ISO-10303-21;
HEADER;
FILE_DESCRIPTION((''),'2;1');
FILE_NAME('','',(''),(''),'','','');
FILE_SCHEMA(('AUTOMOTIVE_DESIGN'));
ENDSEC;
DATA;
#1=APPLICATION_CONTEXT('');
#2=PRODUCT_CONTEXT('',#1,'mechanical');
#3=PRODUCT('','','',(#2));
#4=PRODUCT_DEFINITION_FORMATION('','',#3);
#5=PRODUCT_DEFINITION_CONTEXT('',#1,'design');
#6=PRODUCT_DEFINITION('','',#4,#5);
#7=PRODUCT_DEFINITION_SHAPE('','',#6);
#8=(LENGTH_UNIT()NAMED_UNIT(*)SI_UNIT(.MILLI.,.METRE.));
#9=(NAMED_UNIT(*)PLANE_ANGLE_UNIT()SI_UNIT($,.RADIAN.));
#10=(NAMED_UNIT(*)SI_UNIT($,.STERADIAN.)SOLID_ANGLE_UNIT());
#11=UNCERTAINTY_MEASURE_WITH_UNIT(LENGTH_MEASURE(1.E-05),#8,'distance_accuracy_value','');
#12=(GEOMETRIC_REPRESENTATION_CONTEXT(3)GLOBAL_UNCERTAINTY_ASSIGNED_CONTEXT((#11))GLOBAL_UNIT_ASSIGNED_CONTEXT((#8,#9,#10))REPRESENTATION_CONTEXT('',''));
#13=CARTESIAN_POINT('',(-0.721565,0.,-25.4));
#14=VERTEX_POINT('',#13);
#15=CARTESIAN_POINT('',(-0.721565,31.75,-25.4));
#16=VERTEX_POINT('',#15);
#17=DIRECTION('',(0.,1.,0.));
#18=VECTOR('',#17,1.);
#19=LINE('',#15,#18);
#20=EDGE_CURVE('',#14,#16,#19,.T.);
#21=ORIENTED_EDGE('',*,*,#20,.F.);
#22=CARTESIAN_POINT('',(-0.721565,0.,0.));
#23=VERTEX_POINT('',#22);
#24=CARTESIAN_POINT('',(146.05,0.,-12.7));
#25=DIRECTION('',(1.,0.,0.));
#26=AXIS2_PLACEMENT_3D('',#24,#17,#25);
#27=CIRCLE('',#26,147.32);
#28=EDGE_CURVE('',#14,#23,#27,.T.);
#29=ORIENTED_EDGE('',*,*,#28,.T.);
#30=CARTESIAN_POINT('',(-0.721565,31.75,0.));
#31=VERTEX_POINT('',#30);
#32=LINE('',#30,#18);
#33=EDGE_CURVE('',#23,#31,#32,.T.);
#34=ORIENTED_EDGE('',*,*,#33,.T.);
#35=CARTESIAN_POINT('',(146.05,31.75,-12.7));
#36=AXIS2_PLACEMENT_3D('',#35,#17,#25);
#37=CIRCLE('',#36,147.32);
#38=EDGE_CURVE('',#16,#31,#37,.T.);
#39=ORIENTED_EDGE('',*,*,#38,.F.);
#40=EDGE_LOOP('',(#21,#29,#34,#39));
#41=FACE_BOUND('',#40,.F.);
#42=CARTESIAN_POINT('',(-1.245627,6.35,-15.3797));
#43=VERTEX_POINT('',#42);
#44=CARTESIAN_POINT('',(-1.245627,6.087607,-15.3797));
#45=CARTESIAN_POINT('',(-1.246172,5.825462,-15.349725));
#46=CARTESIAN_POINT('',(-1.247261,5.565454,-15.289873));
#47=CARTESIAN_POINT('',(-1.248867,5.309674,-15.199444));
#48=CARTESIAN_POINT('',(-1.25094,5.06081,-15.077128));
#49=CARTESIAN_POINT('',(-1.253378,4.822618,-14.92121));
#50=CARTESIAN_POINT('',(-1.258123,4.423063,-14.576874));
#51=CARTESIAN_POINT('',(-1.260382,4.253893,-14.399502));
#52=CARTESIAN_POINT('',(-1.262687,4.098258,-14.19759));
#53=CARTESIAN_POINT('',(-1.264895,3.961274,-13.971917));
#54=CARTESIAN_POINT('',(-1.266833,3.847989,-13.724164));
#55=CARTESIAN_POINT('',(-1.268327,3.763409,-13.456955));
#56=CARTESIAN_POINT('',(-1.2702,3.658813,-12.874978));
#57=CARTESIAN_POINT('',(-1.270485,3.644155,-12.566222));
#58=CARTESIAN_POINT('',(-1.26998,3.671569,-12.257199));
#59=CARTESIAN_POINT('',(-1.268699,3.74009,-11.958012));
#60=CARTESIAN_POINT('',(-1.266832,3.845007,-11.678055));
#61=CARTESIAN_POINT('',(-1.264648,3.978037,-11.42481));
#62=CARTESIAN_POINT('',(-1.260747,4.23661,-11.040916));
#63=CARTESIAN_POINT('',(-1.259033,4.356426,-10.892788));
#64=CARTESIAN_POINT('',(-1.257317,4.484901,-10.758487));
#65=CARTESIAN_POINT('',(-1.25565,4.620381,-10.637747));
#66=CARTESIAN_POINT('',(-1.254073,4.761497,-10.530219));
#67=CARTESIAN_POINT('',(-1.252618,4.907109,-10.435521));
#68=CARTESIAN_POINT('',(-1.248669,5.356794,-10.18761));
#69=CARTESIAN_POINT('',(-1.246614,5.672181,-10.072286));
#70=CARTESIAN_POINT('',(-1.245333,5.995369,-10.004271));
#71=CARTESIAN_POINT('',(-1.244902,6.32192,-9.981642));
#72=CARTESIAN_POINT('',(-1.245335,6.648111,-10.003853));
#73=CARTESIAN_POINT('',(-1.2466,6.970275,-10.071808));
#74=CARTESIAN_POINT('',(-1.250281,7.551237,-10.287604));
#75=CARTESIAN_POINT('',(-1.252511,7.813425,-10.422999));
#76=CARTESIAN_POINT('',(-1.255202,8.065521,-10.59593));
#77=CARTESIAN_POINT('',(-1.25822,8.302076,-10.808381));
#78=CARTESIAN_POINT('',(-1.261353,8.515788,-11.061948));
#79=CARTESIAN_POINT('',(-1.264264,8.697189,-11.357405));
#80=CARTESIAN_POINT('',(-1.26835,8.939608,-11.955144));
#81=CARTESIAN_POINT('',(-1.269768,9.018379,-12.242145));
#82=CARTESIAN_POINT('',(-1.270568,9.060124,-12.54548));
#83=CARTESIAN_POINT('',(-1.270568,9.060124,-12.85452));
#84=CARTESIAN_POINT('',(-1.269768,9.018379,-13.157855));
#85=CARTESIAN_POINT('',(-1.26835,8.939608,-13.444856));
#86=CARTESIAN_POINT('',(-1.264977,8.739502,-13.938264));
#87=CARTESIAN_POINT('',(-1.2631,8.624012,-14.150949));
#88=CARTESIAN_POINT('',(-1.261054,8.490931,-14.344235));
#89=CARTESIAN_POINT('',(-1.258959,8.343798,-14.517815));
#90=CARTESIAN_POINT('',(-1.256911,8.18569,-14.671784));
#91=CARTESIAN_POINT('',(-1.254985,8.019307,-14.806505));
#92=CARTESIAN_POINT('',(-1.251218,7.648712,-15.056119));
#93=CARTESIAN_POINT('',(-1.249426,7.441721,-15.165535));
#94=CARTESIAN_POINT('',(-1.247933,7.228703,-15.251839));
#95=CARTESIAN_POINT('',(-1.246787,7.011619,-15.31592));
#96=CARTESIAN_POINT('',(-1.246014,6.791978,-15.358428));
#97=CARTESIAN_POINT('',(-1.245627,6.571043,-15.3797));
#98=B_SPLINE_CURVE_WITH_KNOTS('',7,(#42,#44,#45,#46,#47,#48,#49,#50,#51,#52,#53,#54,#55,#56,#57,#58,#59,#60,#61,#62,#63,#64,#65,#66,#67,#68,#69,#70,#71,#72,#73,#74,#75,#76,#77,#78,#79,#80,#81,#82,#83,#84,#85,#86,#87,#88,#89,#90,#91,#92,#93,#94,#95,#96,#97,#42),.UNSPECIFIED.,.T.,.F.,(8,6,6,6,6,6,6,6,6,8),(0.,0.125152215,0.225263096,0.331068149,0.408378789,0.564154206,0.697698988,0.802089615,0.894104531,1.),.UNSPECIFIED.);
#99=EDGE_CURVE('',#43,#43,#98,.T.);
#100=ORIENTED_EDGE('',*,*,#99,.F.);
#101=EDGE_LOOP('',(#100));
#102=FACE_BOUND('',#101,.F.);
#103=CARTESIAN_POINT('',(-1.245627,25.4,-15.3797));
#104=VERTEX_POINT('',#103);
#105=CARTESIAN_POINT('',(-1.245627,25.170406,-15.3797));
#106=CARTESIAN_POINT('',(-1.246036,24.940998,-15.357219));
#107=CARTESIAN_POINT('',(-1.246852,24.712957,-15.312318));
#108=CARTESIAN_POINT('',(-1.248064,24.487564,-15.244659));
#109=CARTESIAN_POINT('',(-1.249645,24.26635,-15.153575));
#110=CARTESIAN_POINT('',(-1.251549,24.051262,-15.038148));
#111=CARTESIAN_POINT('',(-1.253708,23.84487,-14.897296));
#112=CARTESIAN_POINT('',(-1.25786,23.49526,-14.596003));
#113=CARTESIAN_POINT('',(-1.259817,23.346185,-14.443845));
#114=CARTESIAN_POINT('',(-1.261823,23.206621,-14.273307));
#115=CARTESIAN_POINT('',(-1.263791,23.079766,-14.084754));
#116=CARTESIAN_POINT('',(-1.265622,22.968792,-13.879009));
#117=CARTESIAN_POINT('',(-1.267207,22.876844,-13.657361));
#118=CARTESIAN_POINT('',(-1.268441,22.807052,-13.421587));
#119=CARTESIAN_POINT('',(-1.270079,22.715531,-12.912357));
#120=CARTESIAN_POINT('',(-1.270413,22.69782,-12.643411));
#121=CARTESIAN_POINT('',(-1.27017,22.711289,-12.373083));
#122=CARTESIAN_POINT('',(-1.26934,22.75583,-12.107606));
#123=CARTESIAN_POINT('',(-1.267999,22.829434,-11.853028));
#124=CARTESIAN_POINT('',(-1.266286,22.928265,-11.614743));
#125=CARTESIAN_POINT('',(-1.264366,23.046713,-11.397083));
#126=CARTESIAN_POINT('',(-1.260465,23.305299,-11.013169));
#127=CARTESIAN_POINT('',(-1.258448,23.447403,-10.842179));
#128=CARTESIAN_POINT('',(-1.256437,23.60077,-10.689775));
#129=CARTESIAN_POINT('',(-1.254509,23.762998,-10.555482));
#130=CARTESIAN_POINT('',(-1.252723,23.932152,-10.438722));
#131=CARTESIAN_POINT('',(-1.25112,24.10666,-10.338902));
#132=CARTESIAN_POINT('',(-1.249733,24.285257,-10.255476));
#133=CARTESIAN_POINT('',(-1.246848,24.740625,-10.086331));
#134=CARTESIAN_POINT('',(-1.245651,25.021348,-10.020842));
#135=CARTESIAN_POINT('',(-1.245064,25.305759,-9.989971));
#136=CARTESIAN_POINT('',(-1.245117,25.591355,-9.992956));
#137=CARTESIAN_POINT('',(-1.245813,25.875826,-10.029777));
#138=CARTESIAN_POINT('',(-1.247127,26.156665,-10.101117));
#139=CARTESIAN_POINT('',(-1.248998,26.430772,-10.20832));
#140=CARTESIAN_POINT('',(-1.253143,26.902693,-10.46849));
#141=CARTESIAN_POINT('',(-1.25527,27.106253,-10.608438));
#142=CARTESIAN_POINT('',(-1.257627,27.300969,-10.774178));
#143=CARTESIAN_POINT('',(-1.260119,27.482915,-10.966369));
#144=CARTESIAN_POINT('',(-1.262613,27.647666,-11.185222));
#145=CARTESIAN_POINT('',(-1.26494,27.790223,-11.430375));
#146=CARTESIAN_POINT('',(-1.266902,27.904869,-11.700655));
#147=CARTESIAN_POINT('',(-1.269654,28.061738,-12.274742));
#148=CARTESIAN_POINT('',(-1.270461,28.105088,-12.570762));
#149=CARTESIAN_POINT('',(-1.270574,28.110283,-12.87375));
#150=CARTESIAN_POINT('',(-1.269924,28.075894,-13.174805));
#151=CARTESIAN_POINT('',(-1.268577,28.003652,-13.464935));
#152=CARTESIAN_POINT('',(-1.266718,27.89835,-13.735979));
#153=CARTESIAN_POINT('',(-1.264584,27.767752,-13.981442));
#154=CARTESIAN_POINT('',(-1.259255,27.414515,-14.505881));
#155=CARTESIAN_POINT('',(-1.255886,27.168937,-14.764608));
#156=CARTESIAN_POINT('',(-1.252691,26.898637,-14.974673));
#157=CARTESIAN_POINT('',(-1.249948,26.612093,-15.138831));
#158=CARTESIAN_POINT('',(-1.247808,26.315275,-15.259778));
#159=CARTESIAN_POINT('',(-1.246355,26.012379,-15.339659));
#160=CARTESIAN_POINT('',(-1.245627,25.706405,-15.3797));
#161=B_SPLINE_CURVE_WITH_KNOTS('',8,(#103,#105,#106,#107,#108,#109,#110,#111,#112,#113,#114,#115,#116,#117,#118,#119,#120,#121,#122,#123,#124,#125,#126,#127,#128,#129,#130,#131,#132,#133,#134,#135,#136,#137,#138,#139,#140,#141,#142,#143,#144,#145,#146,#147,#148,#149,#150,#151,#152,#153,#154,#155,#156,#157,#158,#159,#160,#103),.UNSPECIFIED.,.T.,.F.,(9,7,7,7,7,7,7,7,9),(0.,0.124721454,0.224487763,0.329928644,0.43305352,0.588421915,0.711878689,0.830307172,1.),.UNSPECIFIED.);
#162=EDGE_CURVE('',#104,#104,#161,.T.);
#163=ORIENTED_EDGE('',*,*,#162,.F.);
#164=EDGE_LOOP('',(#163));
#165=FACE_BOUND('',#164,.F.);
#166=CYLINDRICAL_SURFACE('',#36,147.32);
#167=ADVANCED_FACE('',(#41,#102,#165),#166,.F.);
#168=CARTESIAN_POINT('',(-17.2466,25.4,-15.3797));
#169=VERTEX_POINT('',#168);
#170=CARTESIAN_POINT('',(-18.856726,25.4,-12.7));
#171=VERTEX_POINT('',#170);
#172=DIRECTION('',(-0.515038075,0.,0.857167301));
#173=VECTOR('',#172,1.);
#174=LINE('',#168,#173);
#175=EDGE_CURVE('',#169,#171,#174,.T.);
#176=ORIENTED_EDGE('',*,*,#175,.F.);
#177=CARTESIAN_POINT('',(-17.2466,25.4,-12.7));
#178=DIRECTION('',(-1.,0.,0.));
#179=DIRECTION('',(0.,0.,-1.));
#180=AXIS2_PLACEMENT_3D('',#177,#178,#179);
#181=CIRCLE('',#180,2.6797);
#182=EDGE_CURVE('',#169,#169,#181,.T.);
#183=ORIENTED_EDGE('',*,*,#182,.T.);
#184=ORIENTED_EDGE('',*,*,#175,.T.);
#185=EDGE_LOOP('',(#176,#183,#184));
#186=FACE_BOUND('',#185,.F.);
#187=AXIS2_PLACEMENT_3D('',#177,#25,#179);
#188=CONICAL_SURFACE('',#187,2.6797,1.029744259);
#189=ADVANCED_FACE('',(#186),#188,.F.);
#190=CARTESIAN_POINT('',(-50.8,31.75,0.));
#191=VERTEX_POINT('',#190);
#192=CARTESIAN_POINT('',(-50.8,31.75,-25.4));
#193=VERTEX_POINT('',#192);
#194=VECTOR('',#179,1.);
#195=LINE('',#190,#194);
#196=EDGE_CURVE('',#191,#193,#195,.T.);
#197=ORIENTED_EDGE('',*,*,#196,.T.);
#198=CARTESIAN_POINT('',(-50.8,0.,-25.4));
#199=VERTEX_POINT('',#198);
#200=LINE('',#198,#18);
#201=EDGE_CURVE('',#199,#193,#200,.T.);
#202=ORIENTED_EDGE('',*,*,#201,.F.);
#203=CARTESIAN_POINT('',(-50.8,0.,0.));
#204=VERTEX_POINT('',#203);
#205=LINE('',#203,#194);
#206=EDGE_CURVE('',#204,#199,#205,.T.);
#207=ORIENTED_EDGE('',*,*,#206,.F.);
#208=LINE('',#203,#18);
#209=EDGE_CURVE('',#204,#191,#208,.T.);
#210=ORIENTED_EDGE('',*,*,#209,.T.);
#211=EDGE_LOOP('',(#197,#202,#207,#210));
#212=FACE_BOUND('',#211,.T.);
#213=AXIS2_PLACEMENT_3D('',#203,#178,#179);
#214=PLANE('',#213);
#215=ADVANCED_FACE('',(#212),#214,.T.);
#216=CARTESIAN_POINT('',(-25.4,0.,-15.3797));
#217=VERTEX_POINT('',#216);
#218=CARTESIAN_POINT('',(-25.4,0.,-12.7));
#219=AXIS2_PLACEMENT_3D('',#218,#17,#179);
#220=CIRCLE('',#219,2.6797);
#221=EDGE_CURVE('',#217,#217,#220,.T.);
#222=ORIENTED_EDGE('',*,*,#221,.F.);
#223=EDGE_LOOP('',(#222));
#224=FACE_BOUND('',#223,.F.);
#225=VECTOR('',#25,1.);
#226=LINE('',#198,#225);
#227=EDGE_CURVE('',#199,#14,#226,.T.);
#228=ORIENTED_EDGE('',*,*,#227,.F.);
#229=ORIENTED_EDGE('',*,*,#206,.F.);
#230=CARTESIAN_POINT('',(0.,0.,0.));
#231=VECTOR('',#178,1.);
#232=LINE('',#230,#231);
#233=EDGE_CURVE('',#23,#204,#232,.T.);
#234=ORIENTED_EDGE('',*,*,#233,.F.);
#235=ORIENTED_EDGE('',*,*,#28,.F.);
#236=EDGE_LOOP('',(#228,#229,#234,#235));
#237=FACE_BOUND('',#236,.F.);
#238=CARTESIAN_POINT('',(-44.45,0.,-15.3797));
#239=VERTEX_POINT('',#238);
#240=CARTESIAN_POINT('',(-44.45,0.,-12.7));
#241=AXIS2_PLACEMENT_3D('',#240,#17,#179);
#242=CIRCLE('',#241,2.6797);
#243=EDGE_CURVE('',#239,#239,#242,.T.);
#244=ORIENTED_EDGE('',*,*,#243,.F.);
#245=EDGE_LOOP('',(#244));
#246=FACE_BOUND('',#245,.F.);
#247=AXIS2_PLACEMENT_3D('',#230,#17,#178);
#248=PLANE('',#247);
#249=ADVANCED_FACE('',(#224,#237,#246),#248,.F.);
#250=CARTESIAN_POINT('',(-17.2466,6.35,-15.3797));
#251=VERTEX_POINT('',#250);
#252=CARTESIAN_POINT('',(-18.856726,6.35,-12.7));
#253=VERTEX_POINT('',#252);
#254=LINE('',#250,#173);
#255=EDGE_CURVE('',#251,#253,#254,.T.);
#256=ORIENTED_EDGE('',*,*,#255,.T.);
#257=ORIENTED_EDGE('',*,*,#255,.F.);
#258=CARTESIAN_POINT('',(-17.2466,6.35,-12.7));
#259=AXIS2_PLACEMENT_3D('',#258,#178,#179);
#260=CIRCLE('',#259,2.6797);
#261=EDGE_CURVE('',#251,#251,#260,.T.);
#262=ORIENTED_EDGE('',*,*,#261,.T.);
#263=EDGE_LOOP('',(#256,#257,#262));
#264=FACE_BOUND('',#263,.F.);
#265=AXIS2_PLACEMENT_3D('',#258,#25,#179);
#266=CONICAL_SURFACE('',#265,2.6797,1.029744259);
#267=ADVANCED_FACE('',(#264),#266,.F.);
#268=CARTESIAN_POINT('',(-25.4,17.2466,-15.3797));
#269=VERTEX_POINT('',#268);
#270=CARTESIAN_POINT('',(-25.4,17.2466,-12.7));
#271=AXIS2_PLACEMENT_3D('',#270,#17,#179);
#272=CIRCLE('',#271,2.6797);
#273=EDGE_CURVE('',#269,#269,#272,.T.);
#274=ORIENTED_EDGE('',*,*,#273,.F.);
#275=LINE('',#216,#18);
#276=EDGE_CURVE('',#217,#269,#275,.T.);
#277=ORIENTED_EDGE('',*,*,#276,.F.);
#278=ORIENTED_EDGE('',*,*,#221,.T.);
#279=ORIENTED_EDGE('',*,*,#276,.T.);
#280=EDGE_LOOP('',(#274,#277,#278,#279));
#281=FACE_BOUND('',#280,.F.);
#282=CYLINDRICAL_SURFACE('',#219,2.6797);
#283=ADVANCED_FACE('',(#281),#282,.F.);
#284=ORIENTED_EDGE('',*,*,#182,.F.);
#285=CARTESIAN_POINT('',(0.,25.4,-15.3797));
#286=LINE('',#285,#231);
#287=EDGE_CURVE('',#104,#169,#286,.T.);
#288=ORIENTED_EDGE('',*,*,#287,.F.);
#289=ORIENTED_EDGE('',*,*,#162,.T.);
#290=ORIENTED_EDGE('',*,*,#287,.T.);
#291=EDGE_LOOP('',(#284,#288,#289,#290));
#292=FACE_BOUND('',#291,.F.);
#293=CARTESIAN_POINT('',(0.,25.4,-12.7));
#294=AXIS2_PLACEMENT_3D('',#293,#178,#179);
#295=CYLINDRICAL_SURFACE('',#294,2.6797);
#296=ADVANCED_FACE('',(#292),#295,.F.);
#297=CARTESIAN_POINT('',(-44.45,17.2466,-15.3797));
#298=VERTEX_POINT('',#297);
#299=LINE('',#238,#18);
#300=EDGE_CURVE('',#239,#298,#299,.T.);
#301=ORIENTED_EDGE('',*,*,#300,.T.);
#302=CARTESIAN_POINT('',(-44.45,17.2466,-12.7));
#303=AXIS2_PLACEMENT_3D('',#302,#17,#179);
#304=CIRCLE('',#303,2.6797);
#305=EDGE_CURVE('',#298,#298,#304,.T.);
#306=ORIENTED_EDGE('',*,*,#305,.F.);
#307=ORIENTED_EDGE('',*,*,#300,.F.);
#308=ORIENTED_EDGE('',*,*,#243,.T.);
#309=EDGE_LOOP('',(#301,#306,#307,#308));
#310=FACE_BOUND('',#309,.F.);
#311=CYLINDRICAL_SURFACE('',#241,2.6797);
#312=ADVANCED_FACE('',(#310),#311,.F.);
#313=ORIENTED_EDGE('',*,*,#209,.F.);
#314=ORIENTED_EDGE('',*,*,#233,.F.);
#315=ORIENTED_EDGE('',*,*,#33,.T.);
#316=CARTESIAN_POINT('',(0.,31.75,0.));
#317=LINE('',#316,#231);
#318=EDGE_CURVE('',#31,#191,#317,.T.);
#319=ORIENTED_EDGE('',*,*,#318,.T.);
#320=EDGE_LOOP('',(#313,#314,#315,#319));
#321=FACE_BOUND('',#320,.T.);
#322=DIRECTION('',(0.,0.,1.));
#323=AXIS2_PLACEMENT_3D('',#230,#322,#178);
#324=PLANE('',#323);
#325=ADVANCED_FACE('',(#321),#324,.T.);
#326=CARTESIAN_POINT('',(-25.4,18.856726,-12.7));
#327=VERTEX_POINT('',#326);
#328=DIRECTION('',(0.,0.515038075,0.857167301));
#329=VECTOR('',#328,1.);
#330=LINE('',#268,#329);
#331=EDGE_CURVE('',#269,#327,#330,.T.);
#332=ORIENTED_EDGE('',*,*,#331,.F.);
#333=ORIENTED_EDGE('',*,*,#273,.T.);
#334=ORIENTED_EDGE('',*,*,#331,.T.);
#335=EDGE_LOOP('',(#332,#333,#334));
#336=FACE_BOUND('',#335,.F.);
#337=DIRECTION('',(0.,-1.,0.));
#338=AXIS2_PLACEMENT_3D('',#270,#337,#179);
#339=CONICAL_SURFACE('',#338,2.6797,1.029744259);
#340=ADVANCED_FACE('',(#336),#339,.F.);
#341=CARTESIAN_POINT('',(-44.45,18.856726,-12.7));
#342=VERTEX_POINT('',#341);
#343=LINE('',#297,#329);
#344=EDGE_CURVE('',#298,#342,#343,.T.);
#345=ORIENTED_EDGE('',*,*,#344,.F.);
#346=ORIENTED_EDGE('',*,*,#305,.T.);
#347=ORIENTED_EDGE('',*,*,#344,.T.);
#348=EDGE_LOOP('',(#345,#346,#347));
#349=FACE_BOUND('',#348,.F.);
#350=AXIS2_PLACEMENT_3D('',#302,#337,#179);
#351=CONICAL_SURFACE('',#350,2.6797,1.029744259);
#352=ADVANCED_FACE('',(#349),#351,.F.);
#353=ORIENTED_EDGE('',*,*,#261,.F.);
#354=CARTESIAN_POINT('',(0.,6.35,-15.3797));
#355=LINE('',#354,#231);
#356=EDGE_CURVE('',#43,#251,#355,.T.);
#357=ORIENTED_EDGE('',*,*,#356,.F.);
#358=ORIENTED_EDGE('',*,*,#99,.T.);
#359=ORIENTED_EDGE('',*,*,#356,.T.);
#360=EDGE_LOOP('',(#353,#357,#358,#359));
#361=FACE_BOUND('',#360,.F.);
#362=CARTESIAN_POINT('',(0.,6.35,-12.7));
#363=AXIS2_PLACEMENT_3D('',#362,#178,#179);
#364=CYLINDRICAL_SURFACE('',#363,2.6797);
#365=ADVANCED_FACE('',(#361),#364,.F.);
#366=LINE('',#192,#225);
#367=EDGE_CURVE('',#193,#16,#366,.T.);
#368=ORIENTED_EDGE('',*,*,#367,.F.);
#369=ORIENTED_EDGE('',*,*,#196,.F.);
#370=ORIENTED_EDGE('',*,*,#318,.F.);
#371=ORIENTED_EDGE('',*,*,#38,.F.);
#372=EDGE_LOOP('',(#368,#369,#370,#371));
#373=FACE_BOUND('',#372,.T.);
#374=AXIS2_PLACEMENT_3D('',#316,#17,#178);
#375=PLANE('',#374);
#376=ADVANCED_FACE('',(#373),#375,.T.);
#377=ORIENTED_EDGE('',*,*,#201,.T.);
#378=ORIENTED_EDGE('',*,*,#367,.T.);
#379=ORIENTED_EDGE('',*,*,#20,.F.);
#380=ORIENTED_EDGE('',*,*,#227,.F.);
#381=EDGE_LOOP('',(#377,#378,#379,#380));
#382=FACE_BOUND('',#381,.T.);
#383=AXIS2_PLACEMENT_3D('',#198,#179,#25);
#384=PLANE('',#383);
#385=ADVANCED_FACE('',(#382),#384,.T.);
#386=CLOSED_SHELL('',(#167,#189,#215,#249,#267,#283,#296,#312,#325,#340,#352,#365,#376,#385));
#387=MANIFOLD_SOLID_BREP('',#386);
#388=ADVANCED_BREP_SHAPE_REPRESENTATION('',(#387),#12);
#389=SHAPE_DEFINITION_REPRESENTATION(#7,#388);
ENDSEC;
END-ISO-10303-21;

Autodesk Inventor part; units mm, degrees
ref_plane "YZ Plane" through (0, 0, 0) normal (1, 0, 0) x (0, 1, 0)
ref_plane "XZ Plane" through (0, 0, 0) normal (0, 1, 0) x (-1, 0, 0)
ref_plane "XY Plane" through (0, 0, 0) normal (0, 0, 1) x (1, 0, 0)
sketch "Sketch1" plane through (0, 0, 0) normal (0, 1, 0) x (-1, 0, 0)
  line L0 (0, 0) -> (50.8, 0)
  line L1 (50.8, 0) -> (50.8, -25.4)
  line L2 (50.8, -25.4) -> (0, -25.4)
  line L3 (0, -25.4) -> (0, 0)
  dimension "d0" = 25.4
  dimension "d1" = 50.8
extrude "Extrusion1" add sketch "Sketch1" along normal blind 31.75
sketch "Sketch3" plane through (0, 0, 0) normal (1, 0, 0) x (0, 0, -1)
  circle A0 centre (12.7, 25.4) radius 2.581
  line L0 (0, 31.75) -> (25.4, 31.75) projected
  circle A1 centre (12.7, 6.35) radius 2.3807
  point P0 (0, 0)
  dimension "d6" = 6.35
  dimension "d7" = 19.05
hole "Hole1" at (0, 25.4, -12.7) at (0, 6.35, -12.7) direction (-1, 0, 0) diameter 5.3594 depth 17.2466 tip angle 118 thread size "1/4-28 UNF" class "2B" standard "ANSI Unified Screw Threads"
sketch "Sketch4" plane through (0, 31.75, 0) normal (0, 1, 0) x (1, 0, 0)
  line L0 (0, 0) -> (0, 25.4) projected
  line L1 (0, 12.7) -> (146.05, 12.7) construction
  circle A0 centre (146.05, 12.7) radius 147.32
  dimension "d15" = 146.05
  dimension "d16" = 294.64
extrude "Extrusion2" cut sketch "Sketch4" against normal blind 50.8
sketch "Sketch6" plane through (0, 0, 0) normal (0, -1, 0) x (1, 0, 0)
  circle A0 centre (-44.45, -12.7) radius 4.2294
  line L0 (-0.7216, 0) -> (-50.8, 0) projected
  line L1 (-50.8, 0) -> (-50.8, -25.4) projected
  circle A1 centre (-25.4, -12.7) radius 3.8351
  point P0 (0, 0)
  dimension "d21" = 12.7
  dimension "d22" = 6.35
  dimension "d23" = 19.05
hole "Hole2" at (-44.45, 0, -12.7) at (-25.4, 0, -12.7) direction (0, 1, 0) diameter 5.3594 depth 17.2466 tip angle 118 thread size "1/4-28 UNF" class "2B" standard "ANSI Unified Screw Threads"
properties part number "mountingStub" material "Aluminum 6061"
